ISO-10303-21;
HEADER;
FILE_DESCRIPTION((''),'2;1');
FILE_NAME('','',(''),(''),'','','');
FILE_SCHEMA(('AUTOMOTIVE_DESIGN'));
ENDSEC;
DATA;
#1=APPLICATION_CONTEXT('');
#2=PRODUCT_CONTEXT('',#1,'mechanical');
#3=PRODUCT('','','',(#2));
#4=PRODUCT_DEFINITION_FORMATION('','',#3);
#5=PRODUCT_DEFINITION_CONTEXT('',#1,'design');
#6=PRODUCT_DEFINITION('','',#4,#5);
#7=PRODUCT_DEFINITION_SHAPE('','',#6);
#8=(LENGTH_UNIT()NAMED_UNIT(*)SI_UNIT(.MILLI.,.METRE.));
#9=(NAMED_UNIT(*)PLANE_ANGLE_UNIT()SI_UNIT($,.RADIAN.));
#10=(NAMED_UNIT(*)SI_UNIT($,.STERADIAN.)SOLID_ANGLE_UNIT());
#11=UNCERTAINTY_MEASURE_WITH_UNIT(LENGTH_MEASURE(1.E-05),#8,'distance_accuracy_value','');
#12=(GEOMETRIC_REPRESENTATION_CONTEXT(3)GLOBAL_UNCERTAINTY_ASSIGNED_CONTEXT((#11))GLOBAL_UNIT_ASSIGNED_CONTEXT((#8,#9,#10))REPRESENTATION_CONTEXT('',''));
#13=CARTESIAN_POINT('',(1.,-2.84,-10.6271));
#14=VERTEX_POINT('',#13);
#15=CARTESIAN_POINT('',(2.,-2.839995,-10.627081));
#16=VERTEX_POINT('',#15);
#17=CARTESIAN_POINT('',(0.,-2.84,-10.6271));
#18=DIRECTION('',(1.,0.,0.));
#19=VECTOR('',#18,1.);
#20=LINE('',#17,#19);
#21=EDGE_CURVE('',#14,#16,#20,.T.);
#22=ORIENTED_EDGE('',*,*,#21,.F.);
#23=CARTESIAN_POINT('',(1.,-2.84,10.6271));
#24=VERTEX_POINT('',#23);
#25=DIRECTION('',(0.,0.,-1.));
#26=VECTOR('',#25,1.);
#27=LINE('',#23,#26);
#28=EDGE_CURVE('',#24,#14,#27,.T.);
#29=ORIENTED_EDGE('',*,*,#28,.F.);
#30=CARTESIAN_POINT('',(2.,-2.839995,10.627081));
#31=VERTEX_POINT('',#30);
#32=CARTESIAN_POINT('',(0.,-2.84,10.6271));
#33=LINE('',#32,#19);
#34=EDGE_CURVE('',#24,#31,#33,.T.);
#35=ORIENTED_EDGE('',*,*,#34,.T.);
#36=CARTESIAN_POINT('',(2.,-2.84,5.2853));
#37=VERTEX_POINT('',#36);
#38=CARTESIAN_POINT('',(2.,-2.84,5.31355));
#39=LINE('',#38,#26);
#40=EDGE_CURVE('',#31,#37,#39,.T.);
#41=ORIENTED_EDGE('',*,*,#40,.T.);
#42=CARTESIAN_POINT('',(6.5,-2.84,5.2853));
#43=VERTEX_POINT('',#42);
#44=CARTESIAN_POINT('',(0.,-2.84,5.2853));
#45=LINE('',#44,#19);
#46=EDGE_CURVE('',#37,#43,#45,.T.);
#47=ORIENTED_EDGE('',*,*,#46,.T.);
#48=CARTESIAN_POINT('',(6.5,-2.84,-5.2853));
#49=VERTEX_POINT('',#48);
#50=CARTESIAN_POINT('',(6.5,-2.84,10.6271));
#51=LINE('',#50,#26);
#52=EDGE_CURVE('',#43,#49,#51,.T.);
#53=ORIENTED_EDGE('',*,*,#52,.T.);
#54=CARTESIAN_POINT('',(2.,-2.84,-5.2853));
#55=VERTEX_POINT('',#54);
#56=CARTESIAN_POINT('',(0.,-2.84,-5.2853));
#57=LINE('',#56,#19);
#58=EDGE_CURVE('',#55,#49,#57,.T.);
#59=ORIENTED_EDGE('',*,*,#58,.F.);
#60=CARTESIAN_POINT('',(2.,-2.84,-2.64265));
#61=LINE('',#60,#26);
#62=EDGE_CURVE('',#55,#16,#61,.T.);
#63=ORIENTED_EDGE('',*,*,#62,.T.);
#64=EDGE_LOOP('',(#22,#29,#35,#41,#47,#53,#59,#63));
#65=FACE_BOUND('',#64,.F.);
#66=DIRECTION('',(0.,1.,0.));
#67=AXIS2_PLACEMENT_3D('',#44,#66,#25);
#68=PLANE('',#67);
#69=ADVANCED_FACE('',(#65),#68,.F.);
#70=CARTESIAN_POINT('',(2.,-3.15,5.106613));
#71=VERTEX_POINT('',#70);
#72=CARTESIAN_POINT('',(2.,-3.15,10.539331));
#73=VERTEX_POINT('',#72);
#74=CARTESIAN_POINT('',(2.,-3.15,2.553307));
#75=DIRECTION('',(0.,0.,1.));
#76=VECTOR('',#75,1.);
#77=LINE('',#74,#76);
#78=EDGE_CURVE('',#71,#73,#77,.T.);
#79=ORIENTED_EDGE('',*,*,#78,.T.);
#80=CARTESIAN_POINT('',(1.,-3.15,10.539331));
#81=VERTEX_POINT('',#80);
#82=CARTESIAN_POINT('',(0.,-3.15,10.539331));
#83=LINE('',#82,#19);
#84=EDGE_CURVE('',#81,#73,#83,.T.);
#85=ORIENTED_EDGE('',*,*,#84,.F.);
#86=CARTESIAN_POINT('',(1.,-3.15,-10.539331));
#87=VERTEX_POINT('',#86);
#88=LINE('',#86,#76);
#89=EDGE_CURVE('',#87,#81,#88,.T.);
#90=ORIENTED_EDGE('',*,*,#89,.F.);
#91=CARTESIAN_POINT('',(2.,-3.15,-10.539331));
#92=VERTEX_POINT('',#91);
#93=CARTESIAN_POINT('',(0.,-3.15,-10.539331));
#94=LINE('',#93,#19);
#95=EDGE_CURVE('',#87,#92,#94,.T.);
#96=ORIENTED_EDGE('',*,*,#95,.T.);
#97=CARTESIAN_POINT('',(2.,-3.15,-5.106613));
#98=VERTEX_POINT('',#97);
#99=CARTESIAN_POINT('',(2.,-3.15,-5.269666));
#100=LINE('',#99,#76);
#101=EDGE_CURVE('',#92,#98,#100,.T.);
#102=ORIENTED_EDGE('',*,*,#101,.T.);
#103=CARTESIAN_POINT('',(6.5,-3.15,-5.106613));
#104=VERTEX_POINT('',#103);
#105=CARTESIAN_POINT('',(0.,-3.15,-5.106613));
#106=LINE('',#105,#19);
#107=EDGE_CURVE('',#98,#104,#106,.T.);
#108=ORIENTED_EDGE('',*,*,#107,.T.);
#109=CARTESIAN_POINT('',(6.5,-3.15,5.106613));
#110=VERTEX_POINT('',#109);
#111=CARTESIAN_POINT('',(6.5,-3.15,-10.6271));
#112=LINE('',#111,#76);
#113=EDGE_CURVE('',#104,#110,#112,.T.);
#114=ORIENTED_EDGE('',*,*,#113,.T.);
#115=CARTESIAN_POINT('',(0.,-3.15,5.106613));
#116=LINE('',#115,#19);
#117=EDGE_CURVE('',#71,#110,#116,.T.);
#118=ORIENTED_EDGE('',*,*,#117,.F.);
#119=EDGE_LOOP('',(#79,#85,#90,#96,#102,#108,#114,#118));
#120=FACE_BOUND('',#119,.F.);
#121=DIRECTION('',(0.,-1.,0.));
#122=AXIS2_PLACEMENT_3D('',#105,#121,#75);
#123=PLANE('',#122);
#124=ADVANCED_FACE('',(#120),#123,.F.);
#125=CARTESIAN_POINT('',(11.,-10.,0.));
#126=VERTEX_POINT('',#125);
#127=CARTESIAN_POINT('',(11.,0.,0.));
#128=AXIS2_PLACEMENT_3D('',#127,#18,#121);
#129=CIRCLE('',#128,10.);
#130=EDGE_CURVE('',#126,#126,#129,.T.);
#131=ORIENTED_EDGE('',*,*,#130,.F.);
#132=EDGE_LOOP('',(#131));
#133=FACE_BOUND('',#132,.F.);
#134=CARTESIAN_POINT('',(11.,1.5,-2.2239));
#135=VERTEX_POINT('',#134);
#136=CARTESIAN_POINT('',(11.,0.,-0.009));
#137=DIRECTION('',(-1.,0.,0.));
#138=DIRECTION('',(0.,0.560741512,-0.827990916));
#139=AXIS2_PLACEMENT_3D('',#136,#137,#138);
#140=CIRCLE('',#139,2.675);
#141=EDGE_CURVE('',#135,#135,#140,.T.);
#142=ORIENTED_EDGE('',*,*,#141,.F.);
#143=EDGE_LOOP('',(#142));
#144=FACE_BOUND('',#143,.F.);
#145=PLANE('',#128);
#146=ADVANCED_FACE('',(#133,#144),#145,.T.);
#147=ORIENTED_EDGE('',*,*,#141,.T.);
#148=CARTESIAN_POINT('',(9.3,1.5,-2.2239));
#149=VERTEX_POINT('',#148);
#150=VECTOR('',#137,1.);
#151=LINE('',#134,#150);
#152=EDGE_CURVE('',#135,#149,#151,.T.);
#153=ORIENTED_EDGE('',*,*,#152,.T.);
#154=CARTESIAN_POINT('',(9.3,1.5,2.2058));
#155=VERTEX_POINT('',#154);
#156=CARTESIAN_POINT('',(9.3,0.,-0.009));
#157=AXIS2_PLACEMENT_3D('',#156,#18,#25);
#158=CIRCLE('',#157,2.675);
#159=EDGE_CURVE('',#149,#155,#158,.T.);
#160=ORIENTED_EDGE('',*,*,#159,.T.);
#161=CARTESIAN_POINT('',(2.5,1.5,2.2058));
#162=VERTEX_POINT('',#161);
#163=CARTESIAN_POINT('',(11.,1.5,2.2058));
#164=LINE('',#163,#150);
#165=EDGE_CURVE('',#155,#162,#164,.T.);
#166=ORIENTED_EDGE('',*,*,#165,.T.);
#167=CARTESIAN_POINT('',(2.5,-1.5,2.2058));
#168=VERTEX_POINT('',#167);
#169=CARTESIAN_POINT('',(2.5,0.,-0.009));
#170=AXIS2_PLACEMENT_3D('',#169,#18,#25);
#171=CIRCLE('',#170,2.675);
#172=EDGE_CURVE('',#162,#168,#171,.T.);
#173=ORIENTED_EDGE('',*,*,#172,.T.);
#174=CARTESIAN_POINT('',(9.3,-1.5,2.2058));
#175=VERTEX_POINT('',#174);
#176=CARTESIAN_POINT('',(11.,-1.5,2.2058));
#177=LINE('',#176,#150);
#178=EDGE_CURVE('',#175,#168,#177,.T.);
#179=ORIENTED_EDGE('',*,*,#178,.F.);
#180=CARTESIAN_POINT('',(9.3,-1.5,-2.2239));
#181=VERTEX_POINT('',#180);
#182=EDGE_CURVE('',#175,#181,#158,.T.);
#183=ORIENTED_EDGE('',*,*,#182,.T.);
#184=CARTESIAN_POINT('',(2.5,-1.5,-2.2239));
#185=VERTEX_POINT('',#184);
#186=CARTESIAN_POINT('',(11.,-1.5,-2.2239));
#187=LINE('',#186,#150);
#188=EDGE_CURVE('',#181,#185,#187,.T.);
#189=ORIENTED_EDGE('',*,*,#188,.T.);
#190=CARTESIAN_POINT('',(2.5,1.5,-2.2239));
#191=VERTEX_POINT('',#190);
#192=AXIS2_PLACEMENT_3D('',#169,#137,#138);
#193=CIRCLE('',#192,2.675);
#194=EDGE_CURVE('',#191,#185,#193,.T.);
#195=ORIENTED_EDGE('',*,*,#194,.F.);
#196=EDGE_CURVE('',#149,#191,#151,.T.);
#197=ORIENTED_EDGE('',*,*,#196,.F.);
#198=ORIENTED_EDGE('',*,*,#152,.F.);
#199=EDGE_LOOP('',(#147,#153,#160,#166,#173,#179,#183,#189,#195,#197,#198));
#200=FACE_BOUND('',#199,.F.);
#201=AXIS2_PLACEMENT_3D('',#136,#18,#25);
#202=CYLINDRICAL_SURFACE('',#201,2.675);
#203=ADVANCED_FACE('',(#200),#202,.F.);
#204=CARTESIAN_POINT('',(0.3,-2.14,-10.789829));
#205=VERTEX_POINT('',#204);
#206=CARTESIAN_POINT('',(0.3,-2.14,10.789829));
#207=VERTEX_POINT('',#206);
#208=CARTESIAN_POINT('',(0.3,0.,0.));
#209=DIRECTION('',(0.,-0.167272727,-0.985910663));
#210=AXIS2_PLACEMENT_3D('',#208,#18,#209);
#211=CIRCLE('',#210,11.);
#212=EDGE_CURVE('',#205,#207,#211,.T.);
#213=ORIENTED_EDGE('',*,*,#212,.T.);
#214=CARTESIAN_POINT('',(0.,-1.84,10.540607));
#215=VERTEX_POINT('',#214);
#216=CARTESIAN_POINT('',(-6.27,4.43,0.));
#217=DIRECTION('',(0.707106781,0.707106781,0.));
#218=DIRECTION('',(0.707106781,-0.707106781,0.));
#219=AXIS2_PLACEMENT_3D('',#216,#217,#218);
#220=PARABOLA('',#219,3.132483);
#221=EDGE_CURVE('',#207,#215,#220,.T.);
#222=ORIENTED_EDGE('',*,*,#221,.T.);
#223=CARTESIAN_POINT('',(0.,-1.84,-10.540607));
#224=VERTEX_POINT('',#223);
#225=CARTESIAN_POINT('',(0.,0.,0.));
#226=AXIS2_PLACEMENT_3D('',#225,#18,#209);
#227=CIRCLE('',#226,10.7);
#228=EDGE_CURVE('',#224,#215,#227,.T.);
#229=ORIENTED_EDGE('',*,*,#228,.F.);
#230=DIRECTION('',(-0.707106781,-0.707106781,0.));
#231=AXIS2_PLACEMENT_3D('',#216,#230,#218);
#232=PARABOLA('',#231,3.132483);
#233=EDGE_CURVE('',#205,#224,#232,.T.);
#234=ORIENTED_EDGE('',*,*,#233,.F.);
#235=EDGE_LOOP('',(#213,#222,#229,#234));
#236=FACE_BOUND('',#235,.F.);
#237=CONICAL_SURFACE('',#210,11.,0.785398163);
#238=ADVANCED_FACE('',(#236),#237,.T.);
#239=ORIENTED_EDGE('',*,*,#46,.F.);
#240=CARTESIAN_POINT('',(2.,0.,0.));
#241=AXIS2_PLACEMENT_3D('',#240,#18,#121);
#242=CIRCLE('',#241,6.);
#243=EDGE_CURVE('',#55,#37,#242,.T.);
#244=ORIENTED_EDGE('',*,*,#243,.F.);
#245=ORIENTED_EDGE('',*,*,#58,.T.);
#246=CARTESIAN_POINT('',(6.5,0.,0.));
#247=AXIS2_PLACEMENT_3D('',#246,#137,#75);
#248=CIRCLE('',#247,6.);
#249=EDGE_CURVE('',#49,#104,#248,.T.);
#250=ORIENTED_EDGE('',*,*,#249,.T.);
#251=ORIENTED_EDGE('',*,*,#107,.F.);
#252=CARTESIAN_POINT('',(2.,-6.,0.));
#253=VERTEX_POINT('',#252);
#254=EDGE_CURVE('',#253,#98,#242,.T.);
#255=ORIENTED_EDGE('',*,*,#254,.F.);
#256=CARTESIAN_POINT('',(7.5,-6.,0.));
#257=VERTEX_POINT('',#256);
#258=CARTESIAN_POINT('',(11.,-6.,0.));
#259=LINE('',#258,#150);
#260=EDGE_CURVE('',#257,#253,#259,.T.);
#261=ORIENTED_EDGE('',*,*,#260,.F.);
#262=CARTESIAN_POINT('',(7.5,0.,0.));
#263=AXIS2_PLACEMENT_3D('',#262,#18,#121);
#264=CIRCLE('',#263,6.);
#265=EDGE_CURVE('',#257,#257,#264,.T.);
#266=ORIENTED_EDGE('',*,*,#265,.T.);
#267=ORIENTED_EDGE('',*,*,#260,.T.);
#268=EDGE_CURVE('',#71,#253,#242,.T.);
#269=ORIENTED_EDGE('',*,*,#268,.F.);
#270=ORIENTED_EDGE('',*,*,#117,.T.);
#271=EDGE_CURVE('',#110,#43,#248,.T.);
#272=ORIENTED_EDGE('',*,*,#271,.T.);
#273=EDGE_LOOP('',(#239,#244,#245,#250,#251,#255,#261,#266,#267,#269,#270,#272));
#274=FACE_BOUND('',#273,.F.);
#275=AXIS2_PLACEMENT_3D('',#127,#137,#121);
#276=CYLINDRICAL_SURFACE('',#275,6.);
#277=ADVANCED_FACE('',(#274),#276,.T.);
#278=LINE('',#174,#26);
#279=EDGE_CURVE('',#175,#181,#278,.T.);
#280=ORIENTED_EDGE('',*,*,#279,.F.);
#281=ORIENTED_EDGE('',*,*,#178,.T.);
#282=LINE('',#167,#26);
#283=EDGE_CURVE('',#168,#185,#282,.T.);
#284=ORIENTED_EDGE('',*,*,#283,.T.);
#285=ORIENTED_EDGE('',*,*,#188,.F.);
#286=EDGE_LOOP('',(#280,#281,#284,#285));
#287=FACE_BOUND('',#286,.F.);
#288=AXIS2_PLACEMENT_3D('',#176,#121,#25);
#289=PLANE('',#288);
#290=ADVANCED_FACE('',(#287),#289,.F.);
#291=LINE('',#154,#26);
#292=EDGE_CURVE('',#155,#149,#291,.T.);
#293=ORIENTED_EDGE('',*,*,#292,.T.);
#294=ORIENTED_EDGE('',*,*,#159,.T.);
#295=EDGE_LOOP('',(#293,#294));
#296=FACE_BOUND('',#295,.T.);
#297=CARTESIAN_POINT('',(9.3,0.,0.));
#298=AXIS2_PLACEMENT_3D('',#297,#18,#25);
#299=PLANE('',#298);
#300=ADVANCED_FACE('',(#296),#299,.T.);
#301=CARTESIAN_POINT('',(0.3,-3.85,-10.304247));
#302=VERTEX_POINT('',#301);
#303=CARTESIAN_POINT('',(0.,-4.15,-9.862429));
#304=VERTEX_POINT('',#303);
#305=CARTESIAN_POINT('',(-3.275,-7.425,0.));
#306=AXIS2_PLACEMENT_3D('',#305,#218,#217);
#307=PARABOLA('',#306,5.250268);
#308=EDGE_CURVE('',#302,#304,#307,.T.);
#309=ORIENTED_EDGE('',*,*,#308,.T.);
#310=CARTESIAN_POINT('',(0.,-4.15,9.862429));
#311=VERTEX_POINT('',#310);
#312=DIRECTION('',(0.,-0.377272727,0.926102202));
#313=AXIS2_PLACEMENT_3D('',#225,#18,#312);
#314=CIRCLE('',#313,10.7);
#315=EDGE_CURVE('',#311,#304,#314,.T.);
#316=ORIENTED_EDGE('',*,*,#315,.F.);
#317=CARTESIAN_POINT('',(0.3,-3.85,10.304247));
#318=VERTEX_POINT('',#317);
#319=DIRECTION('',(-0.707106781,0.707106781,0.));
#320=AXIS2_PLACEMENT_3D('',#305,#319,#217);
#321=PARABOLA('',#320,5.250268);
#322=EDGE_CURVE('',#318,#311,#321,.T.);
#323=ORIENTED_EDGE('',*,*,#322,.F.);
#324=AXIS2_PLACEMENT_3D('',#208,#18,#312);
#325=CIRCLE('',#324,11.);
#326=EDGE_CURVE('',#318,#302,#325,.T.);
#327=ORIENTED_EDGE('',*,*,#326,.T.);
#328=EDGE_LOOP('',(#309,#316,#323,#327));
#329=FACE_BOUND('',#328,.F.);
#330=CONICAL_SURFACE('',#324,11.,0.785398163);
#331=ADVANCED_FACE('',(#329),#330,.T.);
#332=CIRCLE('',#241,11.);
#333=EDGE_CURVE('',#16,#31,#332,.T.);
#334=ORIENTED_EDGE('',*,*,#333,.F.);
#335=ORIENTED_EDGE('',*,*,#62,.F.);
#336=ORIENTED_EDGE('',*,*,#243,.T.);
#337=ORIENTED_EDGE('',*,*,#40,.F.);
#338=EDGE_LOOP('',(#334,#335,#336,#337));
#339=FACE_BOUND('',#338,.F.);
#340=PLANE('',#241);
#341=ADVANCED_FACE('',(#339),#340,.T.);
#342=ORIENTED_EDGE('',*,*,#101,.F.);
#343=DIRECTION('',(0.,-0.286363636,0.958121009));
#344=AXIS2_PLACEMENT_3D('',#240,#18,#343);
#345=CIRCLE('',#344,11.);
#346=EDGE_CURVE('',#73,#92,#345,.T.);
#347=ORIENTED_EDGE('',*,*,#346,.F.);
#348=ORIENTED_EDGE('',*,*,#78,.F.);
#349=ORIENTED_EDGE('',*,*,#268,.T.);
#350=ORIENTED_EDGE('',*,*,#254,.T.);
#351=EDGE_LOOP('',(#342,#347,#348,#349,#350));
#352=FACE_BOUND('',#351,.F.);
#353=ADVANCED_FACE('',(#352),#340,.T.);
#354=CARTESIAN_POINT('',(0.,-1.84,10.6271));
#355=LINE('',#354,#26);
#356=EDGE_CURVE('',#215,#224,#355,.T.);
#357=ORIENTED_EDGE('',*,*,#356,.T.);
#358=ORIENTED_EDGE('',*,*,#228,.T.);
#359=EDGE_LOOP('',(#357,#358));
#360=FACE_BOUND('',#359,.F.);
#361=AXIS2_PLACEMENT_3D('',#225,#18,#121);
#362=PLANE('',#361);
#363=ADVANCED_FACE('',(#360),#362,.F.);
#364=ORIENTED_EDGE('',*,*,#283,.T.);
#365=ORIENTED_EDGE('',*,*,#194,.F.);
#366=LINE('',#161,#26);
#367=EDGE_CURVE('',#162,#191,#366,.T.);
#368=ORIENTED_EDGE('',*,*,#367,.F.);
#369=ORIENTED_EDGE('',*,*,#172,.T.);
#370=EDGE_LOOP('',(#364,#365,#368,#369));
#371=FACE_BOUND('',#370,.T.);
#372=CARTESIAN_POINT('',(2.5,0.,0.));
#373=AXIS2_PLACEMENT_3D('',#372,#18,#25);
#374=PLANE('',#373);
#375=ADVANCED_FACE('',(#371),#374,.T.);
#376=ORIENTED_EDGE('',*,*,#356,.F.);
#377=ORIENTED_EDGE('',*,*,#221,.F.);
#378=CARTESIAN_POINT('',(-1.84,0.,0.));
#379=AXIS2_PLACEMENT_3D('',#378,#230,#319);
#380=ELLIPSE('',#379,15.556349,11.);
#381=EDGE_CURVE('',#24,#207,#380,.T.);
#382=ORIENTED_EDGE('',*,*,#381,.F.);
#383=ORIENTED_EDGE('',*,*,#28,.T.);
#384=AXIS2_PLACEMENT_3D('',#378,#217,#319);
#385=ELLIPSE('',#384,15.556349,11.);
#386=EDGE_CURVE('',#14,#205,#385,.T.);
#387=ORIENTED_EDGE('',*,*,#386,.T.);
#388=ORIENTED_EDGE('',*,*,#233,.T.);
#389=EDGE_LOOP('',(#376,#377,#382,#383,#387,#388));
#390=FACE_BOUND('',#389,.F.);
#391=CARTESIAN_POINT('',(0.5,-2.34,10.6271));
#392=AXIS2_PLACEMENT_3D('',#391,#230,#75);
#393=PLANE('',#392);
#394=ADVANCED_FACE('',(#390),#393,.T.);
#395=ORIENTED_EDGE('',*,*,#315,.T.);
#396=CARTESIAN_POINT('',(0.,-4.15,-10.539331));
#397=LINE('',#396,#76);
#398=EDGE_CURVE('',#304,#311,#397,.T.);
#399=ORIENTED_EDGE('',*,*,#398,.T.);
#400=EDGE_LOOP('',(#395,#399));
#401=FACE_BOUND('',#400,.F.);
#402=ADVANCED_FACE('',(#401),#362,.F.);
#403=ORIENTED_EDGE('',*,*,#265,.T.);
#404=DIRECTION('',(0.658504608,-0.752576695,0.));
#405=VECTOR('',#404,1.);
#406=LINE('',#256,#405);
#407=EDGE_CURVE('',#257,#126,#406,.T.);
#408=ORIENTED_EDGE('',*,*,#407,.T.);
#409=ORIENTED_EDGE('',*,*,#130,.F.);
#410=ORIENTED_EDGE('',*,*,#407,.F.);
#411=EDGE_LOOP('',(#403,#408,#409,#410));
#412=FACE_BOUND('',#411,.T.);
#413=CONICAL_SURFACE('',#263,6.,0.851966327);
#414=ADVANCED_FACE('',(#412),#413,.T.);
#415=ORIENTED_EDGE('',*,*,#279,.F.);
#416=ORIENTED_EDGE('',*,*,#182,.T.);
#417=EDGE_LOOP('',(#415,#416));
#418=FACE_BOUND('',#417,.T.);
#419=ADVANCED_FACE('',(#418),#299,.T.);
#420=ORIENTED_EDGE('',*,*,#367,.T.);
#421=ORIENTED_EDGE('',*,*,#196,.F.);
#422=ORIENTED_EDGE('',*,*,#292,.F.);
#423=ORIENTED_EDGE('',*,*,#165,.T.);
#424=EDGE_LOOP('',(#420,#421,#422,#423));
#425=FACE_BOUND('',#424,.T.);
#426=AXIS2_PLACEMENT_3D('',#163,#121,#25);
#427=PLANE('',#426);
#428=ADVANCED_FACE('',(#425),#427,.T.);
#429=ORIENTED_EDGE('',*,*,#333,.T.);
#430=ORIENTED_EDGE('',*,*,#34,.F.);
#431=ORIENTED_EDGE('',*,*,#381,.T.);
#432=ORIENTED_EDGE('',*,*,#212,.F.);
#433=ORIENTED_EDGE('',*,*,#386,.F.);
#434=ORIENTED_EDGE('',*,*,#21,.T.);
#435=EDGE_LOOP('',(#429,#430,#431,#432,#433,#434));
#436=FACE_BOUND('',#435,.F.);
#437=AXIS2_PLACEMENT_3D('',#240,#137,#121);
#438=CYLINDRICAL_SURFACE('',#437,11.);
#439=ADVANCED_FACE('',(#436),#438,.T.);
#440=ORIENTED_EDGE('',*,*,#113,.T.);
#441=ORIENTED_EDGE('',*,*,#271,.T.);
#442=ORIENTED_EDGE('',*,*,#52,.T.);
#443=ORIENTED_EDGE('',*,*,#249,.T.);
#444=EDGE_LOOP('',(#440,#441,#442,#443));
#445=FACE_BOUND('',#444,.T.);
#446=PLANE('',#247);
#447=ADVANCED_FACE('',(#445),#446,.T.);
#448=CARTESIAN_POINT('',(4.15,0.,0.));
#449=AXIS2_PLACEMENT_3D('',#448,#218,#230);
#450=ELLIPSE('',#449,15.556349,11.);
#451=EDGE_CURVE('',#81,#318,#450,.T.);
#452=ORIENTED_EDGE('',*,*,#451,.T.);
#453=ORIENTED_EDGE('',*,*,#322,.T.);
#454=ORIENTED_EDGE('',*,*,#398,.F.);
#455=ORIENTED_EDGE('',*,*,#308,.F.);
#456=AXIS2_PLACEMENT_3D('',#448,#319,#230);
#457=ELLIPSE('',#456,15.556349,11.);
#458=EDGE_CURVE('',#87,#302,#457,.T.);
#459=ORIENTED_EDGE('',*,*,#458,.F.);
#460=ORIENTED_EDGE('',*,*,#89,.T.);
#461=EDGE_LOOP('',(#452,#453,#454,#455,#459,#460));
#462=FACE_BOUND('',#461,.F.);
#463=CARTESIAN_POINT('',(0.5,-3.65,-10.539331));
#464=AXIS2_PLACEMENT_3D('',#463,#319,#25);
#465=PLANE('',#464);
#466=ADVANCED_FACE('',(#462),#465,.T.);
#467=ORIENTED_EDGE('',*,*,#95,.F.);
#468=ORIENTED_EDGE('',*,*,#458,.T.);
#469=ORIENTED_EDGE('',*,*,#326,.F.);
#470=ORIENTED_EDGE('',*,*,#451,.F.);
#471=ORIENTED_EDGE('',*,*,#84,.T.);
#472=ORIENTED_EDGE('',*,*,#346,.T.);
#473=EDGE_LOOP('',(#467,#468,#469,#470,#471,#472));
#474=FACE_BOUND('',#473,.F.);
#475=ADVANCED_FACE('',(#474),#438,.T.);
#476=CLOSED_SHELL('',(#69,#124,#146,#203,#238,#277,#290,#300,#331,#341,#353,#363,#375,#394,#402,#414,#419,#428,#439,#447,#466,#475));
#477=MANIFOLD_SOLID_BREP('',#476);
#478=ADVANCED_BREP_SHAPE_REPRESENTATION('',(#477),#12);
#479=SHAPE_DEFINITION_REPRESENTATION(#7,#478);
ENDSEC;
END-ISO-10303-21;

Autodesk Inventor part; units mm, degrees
ref_plane "YZ Plane" through (0, 0, 0) normal (1, 0, 0) x (0, 1, 0)
ref_plane "XZ Plane" through (0, 0, 0) normal (0, 1, 0) x (-1, 0, 0)
ref_plane "XY Plane" through (0, 0, 0) normal (0, 0, 1) x (1, 0, 0)
sketch "Skizze1" plane through (0, 0, 0) normal (0, 0, 1) x (1, 0, 0)
  line L0 (0, 0) -> (11, 0)
  line L1 (11, 0) -> (11, -6)
  line L2 (11, -6) -> (0, -6)
  line L3 (0, -6) -> (0, 0)
  line L4 (0, -6) -> (2, -6)
  line L5 (2, -6) -> (2, -11)
  line L6 (2, -11) -> (0, -11)
  line L7 (0, -11) -> (0, -6)
  line L8 (11, -6) -> (8.5, -6)
  line L9 (7.5, -6) -> (11, -10)
  line L10 (11, -10) -> (11, -6)
  dimension "d0" = 11
  dimension "d1" = 6
  dimension "d2" = 2
  dimension "d3" = 5
  dimension "d5" = 5.5
  dimension "d6" = 4
revolve "Umdrehung1" add sketch "Skizze1" angle 360 about axis through (0, 0, 0) along (1, 0, 0)
sketch "Skizze3" plane through (11, 0, 0) normal (1, 0, 0) x (0, 0, -1)
  circle A0 centre (0, 0) radius 10 projected
  circle A1 centre (0, 0) radius 11 projected
  circle A2 centre (0.009, 0) radius 2.675
  line L0 (-2.2058, 1.5) -> (2.2239, 1.5)
  line L1 (-2.2058, -1.5) -> (2.2239, -1.5)
  point P0 (17.2536, -1.634)
  dimension "d8" = 5.35
  dimension "d9" = 1.5
  dimension "d10" = 1.5
extrude "Extrusion1" cut sketch "Skizze3" against normal blind 8.5 contours A2 L1 L0
extrude "Extrusion2" cut sketch "Skizze3" against normal blind 1.7 contours L0 A2 | A2 L1
sketch "Skizze4" plane through (0, 0, 0) normal (-1, 0, 0) x (0, 0, 1)
  circle A0 centre (0, 0) radius 11 projected
  circle A1 centre (0, 0) radius 6 projected
  arc A2 (2.2058, -1.5) -> (2.2058, 1.5) centre (-0.009, 0) ccw projected
  arc A3 (-2.2239, -1.5) -> (2.2058, -1.5) centre (-0.009, 0) ccw projected
  arc A4 (-2.2239, 1.5) -> (-2.2239, -1.5) centre (-0.009, 0) ccw projected
  line L0 (2.2058, 1.5) -> (-2.2239, 1.5) projected
  line L1 (-2.2239, -1.5) -> (2.2058, -1.5) projected
  arc A5 (2.2058, 1.5) -> (-2.2239, 1.5) centre (-0.009, 0) ccw projected
  line L2 (-10.6271, -3.15) -> (10.6271, -3.15)
  line L3 (10.6271, -3.15) -> (10.6271, -2.84)
  line L4 (10.6271, -2.84) -> (-10.6271, -2.84)
  line L5 (-10.6271, -2.84) -> (-10.6271, -3.15)
  circle A6 centre (0, 0) radius 11 projected
  dimension "d15" = 0.31
  dimension "d16" = 2.84
extrude "Extrusion3" cut sketch "Skizze4" against normal blind 6.5 contours L4 A1 L2 A0 | A0 L2 L5 | L3 L2 A0 | A0 L2 A1 L4 | L4 A1 L2
chamfer "Fase1" distance 1 angle 45 2 edges at (0, -2.84, 0) (0, -3.15, 0)
chamfer "Fase2" distance 0.3 angle 45 2 edges at (0, -11, 0) (0, 11, 0)
sketch "Skizze5" plane through (0, 0, 0) normal (0, 1, 0) x (-1, 0, 0)
  circle A0 centre (-4.5, 0) radius 1.8
  line L0 (0, 10.7) -> (0, -10.7) projected
  point P0 (0, 0)
  point P1 (0, -10.5406)
  point P2 (0, 10.5406)
  dimension "d25" = 3.6
  dimension "d26" = 4.5
extrude "Extrusion4" [suppressed]
properties part number "PullingWheel"
